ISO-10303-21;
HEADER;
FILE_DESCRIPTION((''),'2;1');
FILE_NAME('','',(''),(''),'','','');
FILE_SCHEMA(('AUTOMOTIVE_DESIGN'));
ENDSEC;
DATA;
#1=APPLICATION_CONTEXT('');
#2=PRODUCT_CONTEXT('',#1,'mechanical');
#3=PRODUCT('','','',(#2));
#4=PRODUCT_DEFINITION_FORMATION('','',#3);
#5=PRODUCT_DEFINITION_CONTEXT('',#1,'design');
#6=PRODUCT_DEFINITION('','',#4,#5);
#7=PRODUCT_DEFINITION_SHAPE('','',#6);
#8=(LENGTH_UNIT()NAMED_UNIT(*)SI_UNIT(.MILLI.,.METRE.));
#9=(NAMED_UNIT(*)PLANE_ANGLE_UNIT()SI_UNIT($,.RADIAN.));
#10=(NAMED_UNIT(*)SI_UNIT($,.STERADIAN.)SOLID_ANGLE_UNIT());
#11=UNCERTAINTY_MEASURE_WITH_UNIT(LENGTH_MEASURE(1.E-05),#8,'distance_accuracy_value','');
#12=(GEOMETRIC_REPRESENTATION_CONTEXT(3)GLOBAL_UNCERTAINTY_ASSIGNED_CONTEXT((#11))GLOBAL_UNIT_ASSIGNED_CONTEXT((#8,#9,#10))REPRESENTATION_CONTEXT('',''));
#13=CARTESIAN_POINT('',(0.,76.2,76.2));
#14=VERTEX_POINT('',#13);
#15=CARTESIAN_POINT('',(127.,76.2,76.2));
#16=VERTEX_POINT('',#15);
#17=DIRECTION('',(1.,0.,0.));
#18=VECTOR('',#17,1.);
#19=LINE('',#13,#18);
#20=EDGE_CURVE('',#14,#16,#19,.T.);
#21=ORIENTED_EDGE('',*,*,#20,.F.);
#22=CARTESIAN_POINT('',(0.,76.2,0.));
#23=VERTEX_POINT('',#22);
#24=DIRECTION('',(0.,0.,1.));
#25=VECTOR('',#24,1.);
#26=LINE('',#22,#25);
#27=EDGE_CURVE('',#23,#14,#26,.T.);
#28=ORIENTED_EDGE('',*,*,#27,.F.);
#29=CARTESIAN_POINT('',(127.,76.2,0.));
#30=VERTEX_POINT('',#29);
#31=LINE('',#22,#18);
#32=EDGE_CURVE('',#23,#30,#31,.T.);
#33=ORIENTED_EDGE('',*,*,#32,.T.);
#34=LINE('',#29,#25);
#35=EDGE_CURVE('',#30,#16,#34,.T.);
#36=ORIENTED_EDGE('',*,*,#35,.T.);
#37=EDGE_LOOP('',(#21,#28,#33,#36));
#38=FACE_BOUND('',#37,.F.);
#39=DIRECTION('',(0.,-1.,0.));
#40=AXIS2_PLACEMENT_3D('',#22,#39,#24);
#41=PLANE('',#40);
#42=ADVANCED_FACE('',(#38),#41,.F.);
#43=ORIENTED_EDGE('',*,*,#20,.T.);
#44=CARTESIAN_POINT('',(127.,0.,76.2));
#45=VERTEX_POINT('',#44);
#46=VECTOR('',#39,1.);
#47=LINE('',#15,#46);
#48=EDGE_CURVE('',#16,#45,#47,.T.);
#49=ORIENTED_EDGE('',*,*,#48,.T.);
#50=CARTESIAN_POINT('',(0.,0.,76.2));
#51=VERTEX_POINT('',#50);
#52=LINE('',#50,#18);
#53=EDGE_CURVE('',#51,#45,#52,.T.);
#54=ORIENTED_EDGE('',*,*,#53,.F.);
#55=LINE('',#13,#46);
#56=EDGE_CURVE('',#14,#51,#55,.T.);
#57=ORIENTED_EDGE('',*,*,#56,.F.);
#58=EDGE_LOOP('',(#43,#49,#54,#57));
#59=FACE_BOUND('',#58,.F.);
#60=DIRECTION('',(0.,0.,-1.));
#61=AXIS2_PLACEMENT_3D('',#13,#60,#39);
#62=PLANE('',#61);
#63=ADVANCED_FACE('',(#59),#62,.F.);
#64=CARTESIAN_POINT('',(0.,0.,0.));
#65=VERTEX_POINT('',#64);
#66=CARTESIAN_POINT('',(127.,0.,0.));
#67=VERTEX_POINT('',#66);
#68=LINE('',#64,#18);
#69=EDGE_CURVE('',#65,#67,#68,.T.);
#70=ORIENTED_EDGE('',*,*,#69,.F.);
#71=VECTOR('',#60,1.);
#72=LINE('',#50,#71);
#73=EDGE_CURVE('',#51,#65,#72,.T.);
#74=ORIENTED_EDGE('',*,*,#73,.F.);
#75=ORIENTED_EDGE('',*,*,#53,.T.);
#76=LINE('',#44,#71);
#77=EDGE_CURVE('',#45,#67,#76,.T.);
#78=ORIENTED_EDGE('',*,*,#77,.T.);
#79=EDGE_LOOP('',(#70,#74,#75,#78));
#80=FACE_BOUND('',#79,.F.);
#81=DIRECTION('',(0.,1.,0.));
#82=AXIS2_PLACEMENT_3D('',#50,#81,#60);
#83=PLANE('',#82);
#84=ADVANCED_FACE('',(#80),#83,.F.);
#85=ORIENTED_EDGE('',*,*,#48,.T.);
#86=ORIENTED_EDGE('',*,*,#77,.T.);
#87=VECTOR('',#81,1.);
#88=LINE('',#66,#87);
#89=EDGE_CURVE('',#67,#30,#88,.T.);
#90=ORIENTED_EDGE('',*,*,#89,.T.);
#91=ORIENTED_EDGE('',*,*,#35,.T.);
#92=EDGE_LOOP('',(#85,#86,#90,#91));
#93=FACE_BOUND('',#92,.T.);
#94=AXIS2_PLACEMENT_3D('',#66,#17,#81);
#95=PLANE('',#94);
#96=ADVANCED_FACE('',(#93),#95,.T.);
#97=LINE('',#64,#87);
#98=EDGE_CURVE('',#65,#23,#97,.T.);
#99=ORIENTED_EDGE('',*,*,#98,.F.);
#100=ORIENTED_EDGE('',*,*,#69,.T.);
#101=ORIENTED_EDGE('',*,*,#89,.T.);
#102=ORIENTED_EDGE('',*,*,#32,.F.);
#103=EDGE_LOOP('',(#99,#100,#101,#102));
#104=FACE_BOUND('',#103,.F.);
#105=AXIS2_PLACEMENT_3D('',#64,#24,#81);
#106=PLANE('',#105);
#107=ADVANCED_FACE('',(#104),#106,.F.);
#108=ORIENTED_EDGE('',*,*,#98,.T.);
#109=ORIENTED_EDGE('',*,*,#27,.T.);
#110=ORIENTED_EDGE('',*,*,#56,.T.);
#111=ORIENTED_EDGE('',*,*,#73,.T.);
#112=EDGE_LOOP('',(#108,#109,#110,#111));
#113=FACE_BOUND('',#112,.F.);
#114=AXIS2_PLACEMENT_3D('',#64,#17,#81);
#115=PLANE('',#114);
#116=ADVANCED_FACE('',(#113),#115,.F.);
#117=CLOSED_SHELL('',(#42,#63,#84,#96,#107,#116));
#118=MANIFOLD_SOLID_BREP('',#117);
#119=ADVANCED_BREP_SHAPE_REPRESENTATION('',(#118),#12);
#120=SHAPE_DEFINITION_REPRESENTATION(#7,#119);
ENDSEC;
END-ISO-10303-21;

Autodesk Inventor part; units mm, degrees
ref_plane "YZ Plane" through (0, 0, 0) normal (1, 0, 0) x (0, 1, 0)
ref_plane "XZ Plane" through (0, 0, 0) normal (0, 1, 0) x (-1, 0, 0)
ref_plane "XY Plane" through (0, 0, 0) normal (0, 0, 1) x (1, 0, 0)
sketch "Sketch1" plane through (0, 0, 0) normal (1, 0, 0) x (0, 1, 0)
  line L0 (0, 0) -> (76.2, 0)
  line L1 (76.2, 0) -> (76.2, 76.2)
  line L2 (76.2, 76.2) -> (0, 76.2)
  line L3 (0, 76.2) -> (0, 0)
  dimension "d0" = 76.2
  dimension "d1" = 76.2
extrude "Extrusion1" add sketch "Sketch1" along normal blind 127
properties part number "3-8" material "Limestone"
